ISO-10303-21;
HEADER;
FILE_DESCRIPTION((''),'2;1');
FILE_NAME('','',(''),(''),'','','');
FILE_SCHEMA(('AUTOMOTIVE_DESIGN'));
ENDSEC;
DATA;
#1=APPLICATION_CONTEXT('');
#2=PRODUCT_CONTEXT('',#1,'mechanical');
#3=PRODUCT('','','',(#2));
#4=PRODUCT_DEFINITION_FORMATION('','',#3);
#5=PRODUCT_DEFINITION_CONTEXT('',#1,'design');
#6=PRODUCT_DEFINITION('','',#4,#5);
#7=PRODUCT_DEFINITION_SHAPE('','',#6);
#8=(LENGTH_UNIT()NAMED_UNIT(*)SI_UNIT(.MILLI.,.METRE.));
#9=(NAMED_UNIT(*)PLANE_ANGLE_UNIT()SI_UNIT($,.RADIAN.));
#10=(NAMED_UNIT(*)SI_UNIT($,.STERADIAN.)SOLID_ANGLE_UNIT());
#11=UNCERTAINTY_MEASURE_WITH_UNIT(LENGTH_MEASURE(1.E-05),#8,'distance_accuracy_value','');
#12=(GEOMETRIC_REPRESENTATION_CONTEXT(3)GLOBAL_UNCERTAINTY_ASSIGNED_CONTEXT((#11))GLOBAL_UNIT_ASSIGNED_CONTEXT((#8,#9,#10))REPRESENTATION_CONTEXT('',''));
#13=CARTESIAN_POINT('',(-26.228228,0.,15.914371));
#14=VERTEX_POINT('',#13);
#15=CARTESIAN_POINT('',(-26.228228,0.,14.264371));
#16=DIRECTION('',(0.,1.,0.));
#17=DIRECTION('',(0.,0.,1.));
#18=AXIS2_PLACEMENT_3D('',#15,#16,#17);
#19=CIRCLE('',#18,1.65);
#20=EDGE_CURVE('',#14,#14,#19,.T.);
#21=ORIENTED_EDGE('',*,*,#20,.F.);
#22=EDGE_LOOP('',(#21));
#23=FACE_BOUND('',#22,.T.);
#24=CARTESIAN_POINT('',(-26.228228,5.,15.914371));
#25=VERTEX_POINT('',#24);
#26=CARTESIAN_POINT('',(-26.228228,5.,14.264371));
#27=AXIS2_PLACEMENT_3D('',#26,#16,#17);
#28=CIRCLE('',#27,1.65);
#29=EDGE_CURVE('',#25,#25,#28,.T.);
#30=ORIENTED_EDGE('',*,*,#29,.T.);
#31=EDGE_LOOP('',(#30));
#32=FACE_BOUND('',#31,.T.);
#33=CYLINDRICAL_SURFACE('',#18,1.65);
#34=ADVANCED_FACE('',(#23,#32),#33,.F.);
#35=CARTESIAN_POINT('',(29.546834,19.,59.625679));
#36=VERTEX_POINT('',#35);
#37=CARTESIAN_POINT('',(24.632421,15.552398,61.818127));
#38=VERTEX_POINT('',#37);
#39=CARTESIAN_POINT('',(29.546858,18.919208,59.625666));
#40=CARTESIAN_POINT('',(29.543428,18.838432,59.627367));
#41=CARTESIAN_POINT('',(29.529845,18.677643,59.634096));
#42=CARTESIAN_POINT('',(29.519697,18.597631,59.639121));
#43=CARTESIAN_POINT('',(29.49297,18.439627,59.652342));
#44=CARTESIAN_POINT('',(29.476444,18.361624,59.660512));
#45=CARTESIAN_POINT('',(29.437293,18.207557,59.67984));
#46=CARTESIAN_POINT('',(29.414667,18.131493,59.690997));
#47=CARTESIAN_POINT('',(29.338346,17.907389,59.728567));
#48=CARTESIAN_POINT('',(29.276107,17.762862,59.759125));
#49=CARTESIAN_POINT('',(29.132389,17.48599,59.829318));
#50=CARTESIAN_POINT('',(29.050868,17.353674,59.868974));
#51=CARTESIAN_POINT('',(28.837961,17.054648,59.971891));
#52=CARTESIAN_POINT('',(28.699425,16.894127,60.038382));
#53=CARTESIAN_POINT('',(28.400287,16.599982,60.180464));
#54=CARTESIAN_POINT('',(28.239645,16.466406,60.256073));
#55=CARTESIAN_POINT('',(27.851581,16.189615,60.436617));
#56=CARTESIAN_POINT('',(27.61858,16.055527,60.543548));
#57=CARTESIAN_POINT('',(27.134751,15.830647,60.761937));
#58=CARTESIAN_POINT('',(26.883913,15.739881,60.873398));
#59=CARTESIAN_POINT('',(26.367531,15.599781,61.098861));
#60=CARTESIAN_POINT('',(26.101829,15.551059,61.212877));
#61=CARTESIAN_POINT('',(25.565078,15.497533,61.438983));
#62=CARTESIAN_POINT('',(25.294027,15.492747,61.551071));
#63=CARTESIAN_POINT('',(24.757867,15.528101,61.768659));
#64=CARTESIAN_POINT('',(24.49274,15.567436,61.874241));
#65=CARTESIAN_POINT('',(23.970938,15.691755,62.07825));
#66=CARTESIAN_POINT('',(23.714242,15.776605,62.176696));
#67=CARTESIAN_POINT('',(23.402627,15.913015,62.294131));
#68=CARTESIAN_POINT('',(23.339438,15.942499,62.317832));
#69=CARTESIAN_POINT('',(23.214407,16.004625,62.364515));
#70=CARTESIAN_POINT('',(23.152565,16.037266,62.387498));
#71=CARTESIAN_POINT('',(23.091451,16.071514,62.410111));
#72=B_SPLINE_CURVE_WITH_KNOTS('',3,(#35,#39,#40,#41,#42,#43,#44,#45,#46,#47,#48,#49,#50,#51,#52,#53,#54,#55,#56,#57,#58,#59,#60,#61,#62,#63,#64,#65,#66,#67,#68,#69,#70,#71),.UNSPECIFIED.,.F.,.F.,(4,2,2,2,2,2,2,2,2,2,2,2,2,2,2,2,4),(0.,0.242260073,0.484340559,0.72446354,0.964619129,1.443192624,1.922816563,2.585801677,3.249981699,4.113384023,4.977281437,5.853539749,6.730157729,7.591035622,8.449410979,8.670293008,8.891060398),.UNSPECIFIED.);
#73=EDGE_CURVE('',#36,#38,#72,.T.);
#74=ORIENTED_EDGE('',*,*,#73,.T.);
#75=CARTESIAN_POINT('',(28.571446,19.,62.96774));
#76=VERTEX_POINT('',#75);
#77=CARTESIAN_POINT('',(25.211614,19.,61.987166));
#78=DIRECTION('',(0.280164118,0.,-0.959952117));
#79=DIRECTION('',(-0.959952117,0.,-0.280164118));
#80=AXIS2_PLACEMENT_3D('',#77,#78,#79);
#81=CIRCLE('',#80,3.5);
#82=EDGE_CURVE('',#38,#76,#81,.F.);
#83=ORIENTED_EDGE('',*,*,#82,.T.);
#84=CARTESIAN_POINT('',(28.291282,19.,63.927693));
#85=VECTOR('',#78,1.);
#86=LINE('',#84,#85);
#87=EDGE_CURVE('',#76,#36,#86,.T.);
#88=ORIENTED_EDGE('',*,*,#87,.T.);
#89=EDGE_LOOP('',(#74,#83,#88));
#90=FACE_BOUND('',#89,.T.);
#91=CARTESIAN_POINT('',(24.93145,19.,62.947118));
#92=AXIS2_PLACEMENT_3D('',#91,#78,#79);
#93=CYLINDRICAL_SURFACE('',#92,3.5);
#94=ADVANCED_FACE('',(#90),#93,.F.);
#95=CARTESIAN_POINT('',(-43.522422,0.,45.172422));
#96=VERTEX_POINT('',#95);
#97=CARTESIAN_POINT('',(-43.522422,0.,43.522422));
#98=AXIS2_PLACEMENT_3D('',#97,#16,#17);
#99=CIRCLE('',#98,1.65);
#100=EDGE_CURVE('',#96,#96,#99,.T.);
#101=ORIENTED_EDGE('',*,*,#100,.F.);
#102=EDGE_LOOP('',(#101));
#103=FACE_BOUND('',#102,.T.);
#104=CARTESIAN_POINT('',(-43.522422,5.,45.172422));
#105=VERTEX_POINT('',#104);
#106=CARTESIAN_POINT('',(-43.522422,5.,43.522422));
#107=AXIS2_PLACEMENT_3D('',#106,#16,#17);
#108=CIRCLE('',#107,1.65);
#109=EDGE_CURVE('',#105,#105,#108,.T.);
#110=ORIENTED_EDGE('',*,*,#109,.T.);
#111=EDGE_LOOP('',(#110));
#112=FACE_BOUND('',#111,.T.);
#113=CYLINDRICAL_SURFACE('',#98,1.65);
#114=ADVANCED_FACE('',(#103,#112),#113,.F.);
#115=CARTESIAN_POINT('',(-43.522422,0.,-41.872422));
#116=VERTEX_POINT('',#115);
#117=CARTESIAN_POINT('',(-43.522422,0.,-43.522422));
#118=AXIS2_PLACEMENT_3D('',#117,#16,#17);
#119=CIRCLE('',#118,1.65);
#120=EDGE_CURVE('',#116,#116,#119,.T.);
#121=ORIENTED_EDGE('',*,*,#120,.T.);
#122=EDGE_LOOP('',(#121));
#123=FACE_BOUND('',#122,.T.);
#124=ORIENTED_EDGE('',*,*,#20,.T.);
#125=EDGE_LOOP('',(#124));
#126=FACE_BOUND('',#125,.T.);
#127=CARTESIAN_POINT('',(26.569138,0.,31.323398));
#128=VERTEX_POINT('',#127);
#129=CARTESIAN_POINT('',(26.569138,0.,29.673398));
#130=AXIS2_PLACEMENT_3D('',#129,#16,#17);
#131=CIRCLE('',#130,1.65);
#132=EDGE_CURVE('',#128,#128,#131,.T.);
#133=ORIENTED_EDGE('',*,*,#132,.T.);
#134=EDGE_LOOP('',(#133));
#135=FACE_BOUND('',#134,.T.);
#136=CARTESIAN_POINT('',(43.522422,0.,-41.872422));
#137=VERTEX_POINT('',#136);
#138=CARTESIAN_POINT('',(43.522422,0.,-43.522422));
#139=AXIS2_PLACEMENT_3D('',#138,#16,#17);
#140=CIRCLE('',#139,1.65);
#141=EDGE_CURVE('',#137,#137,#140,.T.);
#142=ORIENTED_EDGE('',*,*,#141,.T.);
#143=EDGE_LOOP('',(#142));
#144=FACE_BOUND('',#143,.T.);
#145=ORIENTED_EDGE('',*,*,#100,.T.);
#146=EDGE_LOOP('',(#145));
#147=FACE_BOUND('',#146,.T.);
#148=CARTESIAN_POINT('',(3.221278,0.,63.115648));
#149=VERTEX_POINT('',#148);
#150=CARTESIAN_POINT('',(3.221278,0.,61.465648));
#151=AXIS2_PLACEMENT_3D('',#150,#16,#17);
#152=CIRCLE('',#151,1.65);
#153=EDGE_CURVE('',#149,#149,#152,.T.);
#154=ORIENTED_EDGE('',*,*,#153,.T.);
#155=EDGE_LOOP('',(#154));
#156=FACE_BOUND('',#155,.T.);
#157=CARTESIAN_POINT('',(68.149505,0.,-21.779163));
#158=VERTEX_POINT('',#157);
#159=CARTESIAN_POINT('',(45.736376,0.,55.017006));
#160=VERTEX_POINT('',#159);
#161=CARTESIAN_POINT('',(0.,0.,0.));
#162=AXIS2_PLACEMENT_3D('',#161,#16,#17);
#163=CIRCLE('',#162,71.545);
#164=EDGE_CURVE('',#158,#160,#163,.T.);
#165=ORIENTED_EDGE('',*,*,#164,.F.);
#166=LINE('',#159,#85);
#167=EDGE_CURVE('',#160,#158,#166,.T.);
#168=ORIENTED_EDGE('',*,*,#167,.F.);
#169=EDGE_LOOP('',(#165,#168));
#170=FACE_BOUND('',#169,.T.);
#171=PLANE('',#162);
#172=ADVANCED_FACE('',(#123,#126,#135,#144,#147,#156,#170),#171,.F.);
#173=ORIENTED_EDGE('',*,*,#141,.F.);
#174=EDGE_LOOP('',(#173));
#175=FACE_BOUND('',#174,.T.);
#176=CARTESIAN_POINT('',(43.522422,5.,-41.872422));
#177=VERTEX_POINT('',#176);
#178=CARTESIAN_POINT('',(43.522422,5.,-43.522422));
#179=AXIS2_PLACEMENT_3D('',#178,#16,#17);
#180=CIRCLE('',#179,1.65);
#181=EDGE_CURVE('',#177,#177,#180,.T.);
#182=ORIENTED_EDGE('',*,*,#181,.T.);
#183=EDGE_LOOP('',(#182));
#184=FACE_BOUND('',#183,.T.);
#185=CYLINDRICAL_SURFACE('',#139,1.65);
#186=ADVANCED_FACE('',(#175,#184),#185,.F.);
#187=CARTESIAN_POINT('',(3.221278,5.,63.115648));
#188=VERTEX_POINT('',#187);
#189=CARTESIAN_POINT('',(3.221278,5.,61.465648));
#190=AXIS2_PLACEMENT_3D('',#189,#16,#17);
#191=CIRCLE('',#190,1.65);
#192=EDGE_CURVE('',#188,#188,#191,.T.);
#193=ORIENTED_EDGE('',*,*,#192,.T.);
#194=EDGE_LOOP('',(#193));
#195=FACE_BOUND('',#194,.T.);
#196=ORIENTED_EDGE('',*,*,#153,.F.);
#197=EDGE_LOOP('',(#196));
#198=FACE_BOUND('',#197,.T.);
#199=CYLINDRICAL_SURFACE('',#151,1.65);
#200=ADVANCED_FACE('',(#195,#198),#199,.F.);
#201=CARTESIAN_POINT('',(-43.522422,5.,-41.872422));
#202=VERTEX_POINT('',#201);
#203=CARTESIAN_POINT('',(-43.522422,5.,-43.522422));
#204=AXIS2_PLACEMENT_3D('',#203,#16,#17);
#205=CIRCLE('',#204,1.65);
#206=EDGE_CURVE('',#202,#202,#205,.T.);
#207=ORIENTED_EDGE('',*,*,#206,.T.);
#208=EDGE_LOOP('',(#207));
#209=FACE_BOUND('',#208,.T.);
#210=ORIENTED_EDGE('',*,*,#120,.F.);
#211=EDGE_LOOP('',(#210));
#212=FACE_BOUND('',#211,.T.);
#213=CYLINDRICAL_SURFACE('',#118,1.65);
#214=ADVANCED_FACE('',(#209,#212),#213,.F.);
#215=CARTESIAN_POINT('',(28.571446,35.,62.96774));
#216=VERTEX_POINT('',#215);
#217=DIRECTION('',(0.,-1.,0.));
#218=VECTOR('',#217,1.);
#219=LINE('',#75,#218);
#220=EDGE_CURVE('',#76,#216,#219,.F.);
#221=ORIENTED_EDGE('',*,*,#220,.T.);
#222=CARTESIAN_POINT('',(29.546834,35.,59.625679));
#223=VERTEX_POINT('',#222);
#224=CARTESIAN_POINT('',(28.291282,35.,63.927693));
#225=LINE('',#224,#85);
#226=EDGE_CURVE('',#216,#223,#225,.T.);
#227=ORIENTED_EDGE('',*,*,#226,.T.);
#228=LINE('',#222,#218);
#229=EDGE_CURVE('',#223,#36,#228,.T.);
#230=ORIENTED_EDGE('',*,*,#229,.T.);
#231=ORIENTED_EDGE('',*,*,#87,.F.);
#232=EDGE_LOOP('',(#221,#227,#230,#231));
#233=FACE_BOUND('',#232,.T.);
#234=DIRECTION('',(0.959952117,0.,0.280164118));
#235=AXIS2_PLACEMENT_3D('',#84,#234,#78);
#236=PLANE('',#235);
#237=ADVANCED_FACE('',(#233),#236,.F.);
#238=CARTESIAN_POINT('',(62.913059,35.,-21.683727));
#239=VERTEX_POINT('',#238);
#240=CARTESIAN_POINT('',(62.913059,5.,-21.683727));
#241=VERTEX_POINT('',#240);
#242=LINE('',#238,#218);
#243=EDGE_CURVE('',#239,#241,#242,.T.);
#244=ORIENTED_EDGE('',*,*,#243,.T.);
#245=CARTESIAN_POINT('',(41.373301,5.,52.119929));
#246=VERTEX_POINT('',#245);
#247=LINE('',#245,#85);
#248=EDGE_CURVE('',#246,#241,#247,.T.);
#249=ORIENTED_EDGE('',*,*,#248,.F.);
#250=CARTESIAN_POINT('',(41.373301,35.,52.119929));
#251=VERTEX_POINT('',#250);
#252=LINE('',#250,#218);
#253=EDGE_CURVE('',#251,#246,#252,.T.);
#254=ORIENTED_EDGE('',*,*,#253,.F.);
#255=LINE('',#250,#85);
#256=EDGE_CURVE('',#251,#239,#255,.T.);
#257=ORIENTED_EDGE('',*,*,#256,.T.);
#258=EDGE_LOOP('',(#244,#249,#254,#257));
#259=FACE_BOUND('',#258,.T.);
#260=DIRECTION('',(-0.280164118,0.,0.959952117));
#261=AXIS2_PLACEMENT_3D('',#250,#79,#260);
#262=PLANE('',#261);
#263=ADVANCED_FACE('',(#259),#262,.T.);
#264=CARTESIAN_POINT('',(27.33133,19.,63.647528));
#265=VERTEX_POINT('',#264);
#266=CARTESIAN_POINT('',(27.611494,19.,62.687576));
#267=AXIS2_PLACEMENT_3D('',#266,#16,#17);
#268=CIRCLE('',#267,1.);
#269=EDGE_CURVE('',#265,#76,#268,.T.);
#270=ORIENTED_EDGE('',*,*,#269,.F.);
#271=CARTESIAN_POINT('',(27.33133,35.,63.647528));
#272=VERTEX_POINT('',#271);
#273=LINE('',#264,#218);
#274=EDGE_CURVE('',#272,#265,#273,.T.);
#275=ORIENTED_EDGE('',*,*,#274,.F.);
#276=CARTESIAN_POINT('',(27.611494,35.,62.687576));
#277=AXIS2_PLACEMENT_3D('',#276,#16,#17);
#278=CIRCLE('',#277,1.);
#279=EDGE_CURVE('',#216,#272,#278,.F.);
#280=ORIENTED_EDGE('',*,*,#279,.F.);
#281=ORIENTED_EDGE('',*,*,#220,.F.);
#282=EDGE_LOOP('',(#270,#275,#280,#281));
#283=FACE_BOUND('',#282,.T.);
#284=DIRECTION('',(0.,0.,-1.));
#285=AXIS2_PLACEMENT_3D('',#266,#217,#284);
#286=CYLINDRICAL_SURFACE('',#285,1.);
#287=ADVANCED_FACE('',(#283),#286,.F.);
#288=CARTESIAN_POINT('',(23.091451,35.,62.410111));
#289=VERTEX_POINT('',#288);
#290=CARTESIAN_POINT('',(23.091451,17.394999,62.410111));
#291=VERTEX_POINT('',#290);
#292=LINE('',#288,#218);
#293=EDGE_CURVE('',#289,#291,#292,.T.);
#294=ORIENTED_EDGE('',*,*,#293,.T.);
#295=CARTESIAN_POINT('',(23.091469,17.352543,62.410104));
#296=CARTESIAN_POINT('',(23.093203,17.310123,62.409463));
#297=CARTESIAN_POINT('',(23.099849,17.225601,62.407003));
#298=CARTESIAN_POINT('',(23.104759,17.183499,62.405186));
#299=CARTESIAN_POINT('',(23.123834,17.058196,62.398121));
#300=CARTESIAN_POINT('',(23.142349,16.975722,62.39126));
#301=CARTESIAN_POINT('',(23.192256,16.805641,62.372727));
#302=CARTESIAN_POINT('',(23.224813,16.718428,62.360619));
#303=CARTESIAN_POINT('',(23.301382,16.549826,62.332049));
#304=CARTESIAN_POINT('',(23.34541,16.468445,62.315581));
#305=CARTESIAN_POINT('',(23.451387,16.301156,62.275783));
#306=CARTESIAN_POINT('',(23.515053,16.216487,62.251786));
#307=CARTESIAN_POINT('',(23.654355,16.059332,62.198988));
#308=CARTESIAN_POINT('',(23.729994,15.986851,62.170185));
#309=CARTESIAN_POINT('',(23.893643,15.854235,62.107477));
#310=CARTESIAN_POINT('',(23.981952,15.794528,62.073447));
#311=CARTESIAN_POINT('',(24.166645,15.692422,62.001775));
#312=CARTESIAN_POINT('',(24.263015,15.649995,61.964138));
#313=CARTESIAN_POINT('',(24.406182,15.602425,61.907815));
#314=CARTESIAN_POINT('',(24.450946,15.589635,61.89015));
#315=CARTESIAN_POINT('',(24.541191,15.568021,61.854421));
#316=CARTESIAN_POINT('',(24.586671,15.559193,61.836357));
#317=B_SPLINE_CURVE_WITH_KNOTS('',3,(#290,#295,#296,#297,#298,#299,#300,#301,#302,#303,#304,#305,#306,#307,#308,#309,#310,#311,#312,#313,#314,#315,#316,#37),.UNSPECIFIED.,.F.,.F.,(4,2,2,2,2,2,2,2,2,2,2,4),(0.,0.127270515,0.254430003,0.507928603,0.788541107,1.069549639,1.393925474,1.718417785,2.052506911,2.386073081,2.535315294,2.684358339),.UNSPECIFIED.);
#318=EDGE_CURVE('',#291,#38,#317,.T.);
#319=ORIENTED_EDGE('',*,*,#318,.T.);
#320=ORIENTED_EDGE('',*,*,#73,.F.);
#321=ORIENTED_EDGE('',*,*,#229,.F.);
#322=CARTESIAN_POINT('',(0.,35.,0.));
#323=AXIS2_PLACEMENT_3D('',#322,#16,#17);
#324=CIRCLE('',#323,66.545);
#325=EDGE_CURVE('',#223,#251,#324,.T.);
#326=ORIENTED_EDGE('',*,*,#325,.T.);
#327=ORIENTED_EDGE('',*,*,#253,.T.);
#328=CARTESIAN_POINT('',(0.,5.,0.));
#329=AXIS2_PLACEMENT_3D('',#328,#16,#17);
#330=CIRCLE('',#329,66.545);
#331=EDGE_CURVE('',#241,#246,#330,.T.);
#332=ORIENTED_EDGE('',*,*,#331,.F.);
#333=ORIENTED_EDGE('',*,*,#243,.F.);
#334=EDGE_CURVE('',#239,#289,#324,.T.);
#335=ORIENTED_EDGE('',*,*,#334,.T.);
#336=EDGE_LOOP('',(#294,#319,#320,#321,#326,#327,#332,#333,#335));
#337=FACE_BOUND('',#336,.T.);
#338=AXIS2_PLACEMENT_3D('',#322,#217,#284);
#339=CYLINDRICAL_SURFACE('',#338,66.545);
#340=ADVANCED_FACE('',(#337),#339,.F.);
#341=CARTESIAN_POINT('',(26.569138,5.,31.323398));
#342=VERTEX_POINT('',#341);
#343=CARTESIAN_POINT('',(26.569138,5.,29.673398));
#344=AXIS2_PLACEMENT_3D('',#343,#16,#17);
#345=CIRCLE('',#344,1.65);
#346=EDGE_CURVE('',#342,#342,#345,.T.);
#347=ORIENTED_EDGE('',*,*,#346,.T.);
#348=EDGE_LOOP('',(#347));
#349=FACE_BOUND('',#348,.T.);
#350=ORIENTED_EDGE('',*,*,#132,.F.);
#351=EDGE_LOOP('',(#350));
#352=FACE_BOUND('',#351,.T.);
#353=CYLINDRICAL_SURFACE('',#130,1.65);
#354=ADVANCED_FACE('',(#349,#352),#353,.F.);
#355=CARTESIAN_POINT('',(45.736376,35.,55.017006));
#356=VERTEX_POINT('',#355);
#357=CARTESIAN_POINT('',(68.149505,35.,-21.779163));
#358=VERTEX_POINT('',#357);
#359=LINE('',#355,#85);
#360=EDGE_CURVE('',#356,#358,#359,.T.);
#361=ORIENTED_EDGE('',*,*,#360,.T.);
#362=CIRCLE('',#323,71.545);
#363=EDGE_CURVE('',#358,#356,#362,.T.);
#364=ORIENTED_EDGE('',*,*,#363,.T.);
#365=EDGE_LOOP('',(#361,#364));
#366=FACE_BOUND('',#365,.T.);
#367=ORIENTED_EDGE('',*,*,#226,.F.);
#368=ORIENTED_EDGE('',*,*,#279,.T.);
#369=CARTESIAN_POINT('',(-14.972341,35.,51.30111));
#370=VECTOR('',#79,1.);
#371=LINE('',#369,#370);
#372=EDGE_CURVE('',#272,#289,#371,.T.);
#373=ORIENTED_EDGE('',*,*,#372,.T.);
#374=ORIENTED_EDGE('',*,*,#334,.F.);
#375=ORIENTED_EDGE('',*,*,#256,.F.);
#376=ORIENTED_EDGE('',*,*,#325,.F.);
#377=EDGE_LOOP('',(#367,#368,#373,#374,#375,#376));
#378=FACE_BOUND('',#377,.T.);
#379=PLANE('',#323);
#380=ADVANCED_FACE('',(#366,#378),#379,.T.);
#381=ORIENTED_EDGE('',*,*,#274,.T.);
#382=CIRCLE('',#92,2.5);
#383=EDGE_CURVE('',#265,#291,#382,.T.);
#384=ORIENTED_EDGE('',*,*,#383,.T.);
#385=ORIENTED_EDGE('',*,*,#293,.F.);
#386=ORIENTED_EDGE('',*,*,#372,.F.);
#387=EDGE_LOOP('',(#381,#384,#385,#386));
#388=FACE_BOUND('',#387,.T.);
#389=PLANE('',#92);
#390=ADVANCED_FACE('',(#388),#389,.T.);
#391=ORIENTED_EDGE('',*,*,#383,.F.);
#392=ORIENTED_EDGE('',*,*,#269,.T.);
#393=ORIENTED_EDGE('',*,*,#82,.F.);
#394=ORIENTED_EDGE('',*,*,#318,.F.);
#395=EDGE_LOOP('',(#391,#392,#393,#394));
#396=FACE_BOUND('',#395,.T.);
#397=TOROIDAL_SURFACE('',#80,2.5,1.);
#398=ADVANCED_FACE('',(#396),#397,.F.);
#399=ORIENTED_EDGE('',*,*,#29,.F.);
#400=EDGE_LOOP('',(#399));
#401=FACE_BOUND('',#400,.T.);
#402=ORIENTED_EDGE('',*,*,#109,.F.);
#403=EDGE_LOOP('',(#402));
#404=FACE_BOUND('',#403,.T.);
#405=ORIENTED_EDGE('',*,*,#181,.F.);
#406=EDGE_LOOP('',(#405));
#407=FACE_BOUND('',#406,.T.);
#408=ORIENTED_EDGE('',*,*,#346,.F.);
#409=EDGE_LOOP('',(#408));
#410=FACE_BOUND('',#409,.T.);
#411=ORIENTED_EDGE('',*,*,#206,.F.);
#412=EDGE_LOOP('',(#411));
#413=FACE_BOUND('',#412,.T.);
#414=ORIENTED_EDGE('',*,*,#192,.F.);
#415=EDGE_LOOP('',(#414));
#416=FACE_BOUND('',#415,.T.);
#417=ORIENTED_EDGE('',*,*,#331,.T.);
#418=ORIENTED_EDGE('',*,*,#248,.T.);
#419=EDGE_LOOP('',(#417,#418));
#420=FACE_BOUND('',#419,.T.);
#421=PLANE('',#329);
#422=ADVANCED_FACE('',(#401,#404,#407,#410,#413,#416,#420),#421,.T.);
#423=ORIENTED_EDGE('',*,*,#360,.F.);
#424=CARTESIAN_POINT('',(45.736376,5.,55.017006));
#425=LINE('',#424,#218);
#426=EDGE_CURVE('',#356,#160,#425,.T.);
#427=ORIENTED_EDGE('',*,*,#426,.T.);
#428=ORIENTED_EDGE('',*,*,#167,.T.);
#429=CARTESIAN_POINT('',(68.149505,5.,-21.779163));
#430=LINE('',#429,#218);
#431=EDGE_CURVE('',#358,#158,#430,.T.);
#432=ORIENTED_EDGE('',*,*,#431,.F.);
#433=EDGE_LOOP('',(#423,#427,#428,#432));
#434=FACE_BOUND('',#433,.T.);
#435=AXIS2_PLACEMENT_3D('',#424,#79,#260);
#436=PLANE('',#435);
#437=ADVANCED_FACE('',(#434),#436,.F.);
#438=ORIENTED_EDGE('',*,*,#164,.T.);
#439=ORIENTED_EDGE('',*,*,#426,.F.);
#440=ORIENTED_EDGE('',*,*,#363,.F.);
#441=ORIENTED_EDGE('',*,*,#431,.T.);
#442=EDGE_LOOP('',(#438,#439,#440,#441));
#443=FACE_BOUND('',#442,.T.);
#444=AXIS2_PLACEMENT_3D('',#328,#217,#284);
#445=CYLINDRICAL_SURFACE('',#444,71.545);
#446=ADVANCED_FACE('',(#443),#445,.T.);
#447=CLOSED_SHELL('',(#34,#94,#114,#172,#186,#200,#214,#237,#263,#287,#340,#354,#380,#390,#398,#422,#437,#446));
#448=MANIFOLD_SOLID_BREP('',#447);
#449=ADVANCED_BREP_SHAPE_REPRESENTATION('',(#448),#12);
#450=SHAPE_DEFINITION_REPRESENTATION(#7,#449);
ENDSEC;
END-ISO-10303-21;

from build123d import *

# Parameters (mm, degrees)
BOSS_EXTRUDE1_DEPTH = 5
SKETCH2_R           = 1.65
CUT_EXTRUDE1_DEPTH  = 6
BOSS_EXTRUDE3_DEPTH = 30
CUT_EXTRUDE2_DEPTH  = 15
FILLET1_R           = 1
SKETCH5_R           = 1.65
CUT_EXTRUDE3_DEPTH  = 6


with BuildPart() as part:
    # Sketch1 → Boss-Extrude1 (new body)
    with BuildSketch(Plane(origin=(0, 0, 0), x_dir=(1, 0, 0), z_dir=(0, 1, 0))):
        with BuildLine():
            Line((45.736375855, -55.017005995), (68.149505263, 21.779163377))
            ThreePointArc((68.149505263, 21.779163377), (-68.679774221, 20.044341793), (45.736375855, -55.017005995))
        make_face()
    extrude(amount=BOSS_EXTRUDE1_DEPTH)

    # Sketch2 → Cut-Extrude1 (cut, through all)
    with BuildSketch(Plane(origin=(0, 5, 0), x_dir=(1, 0, 0), z_dir=(0, 1, 0))):
        with Locations((43.522422382, 43.522422382)):
            Circle(SKETCH2_R)
        with Locations((-43.522422382, -43.522422382)):
            Circle(SKETCH2_R)
        with Locations((-43.522422382, 43.522422382)):
            Circle(SKETCH2_R)
        with Locations((3.221278107, -61.465647864)):
            Circle(SKETCH2_R)
    extrude(amount=-CUT_EXTRUDE1_DEPTH, mode=Mode.SUBTRACT)

    # Sketch3 → Boss-Extrude3 (add)
    with BuildSketch(Plane(origin=(0, 5, 0), x_dir=(1, 0, 0), z_dir=(0, 1, 0))):
        with BuildLine():
            Line((45.736375855, -55.017005995), (68.149505263, 21.779163377))
            ThreePointArc((68.149505263, 21.779163377), (-68.679774221, 20.044341793), (45.736375855, -55.017005995))
        make_face()
        with BuildLine():
            Line((41.373300987, -52.119928918), (62.91305896, 21.683727477))
            ThreePointArc((62.91305896, 21.683727477), (-63.880013635, 18.643521205), (41.373300987, -52.119928918))
        make_face(mode=Mode.SUBTRACT)
    extrude(amount=BOSS_EXTRUDE3_DEPTH)

    # Sketch4 → Cut-Extrude2 (cut)
    with BuildSketch(Plane(origin=(-10.769878987, 0, 36.901828197), x_dir=(0, -1, 0), z_dir=(0.280164118, 0, -0.959952117))):
        with BuildLine():
            Line((-19, -45.06852177), (-35, -45.06852177))
            ThreePointArc((-35, -45.06852177), (-38.5, -41.56852177), (-35, -38.06852177))
            Line((-35, -38.06852177), (-19, -38.06852177))
            ThreePointArc((-19, -38.06852177), (-15.5, -41.56852177), (-19, -45.06852177))
        make_face()
    extrude(amount=-CUT_EXTRUDE2_DEPTH, mode=Mode.SUBTRACT)

    # Fillet1
    fillet1_edges = [part.edges().sort_by_distance(p)[0] for p in [
        (26.529321315, 15.921147738, 63.413460481),
        (28.291282139, 27, 63.927692588),
    ]]
    fillet(fillet1_edges, radius=FILLET1_R)

    # Sketch5 → Cut-Extrude3 (cut, through all)
    with BuildSketch(Plane(origin=(0, 5, 0), x_dir=(1, 0, 0), z_dir=(0, 1, 0))):
        with Locations((26.569138232, -29.673397669)):
            Circle(SKETCH5_R)
        with Locations((-26.228228211, -14.264371202)):
            Circle(SKETCH5_R)
    extrude(amount=-CUT_EXTRUDE3_DEPTH, mode=Mode.SUBTRACT)


solid = part.part
